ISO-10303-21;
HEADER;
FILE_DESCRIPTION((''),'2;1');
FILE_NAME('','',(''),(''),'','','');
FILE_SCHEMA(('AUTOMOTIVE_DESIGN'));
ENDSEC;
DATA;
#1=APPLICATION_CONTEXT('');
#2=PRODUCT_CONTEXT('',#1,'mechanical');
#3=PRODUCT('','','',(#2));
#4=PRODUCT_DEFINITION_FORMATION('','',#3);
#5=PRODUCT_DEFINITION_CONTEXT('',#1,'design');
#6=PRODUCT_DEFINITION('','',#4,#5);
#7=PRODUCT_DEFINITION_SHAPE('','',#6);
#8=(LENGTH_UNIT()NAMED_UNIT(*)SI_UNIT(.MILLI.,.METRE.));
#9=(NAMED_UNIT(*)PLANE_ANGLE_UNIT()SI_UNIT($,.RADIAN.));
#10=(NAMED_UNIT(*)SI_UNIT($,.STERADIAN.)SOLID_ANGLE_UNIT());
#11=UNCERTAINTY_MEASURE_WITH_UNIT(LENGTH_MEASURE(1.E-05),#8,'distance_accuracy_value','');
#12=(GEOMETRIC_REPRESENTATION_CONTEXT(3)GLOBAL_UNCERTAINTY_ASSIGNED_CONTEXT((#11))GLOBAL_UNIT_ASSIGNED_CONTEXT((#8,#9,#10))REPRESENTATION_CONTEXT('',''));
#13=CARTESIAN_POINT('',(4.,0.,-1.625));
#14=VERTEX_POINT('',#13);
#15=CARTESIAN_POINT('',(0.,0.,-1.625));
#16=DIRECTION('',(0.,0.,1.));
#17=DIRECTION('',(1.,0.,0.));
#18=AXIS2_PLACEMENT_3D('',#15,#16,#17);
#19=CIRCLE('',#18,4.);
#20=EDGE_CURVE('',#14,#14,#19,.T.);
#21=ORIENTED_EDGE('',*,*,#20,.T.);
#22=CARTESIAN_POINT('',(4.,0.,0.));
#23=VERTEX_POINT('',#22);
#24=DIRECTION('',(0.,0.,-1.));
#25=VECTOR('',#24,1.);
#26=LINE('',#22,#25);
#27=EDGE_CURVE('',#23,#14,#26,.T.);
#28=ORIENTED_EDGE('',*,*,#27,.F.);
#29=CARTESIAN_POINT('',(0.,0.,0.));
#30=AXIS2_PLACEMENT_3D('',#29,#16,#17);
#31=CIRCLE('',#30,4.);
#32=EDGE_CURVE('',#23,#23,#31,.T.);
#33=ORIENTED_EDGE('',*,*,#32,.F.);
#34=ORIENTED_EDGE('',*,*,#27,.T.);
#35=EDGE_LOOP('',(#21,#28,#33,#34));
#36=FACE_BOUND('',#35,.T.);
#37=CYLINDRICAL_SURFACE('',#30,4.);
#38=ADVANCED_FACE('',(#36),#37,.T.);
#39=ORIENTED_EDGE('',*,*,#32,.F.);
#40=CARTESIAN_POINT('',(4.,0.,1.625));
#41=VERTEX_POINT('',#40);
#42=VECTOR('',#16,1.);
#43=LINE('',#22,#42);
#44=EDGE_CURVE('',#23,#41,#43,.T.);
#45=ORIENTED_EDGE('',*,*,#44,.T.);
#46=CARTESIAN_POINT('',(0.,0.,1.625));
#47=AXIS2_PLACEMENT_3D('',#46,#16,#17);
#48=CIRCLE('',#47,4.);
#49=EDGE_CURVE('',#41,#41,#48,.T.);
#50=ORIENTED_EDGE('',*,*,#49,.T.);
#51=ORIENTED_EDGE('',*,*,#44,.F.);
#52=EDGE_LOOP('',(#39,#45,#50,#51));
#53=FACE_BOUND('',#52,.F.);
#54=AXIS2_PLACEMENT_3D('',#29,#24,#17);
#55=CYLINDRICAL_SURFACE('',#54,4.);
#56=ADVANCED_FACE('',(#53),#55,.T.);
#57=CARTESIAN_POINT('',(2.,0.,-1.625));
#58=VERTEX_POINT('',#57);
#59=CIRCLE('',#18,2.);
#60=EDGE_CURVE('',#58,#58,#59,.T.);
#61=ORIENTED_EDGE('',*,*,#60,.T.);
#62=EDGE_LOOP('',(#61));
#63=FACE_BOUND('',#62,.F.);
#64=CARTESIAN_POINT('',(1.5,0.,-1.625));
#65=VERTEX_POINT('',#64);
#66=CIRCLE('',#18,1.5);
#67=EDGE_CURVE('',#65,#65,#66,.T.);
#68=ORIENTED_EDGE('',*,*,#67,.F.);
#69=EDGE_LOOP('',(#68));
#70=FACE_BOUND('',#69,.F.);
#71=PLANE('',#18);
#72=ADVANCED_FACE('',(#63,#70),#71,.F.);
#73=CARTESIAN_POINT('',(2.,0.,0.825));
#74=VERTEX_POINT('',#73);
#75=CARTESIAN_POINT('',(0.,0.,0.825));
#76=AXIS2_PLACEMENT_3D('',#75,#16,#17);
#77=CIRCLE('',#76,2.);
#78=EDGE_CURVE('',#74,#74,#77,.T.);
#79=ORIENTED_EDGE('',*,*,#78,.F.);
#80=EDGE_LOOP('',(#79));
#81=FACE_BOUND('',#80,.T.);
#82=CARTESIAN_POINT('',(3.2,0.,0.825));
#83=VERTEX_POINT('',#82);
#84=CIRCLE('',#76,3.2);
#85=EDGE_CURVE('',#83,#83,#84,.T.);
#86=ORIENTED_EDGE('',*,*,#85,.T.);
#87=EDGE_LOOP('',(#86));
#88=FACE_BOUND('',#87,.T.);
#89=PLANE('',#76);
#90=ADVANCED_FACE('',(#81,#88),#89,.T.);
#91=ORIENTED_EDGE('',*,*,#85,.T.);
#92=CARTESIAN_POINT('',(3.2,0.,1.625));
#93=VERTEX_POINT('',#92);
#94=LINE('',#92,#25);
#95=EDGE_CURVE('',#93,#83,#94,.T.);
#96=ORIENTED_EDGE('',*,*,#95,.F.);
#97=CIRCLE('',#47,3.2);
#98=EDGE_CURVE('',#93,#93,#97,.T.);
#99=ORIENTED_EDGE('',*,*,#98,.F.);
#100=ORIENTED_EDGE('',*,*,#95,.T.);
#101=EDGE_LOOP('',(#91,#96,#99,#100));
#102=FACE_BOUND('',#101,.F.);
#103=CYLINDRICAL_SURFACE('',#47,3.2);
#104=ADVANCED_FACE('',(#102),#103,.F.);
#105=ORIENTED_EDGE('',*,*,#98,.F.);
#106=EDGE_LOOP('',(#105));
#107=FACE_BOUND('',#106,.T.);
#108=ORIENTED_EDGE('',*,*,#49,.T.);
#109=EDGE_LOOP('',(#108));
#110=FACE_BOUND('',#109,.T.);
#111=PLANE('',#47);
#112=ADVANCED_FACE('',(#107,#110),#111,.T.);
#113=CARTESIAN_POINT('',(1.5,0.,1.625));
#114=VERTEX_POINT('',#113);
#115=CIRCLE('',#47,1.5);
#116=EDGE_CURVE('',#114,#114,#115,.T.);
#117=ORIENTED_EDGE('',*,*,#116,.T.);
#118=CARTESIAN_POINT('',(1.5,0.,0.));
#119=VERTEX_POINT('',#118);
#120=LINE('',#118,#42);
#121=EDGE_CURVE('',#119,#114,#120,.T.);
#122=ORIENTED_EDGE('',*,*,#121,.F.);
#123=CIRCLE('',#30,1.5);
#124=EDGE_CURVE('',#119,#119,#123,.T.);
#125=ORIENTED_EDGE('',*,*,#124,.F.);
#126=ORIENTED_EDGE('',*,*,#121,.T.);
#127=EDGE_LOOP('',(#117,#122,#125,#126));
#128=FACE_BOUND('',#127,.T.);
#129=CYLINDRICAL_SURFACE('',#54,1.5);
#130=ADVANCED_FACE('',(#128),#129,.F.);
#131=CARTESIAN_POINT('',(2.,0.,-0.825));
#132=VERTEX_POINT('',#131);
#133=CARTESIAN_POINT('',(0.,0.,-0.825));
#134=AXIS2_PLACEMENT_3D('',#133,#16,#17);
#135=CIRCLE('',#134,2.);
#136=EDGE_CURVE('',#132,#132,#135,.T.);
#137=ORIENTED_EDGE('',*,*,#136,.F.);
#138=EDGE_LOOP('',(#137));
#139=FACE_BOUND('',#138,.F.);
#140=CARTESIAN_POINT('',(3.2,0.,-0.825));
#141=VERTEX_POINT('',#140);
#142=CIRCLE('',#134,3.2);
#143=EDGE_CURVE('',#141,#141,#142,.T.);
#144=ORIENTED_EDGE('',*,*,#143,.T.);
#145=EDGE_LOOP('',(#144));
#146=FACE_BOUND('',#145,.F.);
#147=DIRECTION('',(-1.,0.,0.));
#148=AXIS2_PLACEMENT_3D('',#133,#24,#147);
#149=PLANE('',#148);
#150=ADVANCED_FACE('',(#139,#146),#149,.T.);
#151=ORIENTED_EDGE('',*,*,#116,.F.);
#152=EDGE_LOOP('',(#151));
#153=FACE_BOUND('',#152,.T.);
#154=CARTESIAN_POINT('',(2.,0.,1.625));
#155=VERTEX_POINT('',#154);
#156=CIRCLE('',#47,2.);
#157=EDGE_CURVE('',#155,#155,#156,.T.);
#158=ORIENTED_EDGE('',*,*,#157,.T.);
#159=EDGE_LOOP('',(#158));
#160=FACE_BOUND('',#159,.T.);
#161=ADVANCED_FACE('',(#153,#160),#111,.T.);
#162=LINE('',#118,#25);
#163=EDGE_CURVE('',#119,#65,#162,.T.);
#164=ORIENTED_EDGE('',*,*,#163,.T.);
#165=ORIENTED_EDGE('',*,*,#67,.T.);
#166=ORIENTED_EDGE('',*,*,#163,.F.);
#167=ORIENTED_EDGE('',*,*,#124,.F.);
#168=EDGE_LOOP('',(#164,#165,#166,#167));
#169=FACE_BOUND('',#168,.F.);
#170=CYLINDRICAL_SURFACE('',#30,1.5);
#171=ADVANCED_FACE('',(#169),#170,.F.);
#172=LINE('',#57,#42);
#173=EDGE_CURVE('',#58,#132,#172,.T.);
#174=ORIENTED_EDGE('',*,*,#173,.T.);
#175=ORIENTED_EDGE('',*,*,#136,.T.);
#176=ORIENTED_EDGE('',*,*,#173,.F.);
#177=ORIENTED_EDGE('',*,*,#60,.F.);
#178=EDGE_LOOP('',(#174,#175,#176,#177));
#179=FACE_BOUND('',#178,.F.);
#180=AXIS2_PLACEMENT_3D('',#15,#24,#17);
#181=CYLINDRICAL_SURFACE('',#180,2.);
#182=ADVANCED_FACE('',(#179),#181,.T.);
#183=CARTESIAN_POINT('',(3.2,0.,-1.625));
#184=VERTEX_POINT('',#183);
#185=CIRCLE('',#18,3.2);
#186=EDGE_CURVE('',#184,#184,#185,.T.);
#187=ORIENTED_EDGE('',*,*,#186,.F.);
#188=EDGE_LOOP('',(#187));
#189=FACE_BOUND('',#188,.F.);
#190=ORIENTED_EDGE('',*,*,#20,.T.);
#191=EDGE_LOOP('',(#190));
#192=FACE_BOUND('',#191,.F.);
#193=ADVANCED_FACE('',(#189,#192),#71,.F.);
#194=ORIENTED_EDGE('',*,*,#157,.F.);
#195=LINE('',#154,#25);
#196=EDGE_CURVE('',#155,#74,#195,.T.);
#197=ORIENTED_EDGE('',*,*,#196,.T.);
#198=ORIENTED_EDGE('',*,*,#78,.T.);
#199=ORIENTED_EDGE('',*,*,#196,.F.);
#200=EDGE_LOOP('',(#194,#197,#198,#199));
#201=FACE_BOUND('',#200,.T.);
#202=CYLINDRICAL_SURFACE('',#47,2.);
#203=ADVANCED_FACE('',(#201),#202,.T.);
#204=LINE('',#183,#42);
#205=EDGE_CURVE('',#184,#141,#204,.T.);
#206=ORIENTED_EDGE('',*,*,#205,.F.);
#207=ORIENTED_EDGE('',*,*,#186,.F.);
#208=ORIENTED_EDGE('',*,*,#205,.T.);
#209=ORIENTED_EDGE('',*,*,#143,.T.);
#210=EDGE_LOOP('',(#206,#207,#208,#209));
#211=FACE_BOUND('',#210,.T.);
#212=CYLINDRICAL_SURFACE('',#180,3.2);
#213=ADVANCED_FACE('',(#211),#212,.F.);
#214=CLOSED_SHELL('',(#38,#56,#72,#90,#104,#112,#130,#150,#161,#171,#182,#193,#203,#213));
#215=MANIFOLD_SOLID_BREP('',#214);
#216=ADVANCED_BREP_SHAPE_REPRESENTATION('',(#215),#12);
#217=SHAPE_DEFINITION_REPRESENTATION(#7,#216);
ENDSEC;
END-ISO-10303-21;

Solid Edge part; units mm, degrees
sketch "Sketch1" plane through (0, 0, 0) normal (0, 0, 1) x (1, 0, 0)
  circle A0 centre (0, 0) radius 4
  circle A1 centre (0, 0) radius 1.5
extrude "Protrusion1" add sketch "Sketch1" along normal mid plane 3.25
sketch "Sketch2" plane through (0, 0, 1.625) normal (0, 0, 1) x (1, 0, 0)
  circle A0 centre (0, 0) radius 3.2
  circle A1 centre (0, 0) radius 2
extrude "VaciadoExtruido_1" cut sketch "Sketch2" against normal blind 0.8
mirror "Mirror1" about plane through (0, 0, 0) normal (0, 0, 1) of "VaciadoExtruido_1"
